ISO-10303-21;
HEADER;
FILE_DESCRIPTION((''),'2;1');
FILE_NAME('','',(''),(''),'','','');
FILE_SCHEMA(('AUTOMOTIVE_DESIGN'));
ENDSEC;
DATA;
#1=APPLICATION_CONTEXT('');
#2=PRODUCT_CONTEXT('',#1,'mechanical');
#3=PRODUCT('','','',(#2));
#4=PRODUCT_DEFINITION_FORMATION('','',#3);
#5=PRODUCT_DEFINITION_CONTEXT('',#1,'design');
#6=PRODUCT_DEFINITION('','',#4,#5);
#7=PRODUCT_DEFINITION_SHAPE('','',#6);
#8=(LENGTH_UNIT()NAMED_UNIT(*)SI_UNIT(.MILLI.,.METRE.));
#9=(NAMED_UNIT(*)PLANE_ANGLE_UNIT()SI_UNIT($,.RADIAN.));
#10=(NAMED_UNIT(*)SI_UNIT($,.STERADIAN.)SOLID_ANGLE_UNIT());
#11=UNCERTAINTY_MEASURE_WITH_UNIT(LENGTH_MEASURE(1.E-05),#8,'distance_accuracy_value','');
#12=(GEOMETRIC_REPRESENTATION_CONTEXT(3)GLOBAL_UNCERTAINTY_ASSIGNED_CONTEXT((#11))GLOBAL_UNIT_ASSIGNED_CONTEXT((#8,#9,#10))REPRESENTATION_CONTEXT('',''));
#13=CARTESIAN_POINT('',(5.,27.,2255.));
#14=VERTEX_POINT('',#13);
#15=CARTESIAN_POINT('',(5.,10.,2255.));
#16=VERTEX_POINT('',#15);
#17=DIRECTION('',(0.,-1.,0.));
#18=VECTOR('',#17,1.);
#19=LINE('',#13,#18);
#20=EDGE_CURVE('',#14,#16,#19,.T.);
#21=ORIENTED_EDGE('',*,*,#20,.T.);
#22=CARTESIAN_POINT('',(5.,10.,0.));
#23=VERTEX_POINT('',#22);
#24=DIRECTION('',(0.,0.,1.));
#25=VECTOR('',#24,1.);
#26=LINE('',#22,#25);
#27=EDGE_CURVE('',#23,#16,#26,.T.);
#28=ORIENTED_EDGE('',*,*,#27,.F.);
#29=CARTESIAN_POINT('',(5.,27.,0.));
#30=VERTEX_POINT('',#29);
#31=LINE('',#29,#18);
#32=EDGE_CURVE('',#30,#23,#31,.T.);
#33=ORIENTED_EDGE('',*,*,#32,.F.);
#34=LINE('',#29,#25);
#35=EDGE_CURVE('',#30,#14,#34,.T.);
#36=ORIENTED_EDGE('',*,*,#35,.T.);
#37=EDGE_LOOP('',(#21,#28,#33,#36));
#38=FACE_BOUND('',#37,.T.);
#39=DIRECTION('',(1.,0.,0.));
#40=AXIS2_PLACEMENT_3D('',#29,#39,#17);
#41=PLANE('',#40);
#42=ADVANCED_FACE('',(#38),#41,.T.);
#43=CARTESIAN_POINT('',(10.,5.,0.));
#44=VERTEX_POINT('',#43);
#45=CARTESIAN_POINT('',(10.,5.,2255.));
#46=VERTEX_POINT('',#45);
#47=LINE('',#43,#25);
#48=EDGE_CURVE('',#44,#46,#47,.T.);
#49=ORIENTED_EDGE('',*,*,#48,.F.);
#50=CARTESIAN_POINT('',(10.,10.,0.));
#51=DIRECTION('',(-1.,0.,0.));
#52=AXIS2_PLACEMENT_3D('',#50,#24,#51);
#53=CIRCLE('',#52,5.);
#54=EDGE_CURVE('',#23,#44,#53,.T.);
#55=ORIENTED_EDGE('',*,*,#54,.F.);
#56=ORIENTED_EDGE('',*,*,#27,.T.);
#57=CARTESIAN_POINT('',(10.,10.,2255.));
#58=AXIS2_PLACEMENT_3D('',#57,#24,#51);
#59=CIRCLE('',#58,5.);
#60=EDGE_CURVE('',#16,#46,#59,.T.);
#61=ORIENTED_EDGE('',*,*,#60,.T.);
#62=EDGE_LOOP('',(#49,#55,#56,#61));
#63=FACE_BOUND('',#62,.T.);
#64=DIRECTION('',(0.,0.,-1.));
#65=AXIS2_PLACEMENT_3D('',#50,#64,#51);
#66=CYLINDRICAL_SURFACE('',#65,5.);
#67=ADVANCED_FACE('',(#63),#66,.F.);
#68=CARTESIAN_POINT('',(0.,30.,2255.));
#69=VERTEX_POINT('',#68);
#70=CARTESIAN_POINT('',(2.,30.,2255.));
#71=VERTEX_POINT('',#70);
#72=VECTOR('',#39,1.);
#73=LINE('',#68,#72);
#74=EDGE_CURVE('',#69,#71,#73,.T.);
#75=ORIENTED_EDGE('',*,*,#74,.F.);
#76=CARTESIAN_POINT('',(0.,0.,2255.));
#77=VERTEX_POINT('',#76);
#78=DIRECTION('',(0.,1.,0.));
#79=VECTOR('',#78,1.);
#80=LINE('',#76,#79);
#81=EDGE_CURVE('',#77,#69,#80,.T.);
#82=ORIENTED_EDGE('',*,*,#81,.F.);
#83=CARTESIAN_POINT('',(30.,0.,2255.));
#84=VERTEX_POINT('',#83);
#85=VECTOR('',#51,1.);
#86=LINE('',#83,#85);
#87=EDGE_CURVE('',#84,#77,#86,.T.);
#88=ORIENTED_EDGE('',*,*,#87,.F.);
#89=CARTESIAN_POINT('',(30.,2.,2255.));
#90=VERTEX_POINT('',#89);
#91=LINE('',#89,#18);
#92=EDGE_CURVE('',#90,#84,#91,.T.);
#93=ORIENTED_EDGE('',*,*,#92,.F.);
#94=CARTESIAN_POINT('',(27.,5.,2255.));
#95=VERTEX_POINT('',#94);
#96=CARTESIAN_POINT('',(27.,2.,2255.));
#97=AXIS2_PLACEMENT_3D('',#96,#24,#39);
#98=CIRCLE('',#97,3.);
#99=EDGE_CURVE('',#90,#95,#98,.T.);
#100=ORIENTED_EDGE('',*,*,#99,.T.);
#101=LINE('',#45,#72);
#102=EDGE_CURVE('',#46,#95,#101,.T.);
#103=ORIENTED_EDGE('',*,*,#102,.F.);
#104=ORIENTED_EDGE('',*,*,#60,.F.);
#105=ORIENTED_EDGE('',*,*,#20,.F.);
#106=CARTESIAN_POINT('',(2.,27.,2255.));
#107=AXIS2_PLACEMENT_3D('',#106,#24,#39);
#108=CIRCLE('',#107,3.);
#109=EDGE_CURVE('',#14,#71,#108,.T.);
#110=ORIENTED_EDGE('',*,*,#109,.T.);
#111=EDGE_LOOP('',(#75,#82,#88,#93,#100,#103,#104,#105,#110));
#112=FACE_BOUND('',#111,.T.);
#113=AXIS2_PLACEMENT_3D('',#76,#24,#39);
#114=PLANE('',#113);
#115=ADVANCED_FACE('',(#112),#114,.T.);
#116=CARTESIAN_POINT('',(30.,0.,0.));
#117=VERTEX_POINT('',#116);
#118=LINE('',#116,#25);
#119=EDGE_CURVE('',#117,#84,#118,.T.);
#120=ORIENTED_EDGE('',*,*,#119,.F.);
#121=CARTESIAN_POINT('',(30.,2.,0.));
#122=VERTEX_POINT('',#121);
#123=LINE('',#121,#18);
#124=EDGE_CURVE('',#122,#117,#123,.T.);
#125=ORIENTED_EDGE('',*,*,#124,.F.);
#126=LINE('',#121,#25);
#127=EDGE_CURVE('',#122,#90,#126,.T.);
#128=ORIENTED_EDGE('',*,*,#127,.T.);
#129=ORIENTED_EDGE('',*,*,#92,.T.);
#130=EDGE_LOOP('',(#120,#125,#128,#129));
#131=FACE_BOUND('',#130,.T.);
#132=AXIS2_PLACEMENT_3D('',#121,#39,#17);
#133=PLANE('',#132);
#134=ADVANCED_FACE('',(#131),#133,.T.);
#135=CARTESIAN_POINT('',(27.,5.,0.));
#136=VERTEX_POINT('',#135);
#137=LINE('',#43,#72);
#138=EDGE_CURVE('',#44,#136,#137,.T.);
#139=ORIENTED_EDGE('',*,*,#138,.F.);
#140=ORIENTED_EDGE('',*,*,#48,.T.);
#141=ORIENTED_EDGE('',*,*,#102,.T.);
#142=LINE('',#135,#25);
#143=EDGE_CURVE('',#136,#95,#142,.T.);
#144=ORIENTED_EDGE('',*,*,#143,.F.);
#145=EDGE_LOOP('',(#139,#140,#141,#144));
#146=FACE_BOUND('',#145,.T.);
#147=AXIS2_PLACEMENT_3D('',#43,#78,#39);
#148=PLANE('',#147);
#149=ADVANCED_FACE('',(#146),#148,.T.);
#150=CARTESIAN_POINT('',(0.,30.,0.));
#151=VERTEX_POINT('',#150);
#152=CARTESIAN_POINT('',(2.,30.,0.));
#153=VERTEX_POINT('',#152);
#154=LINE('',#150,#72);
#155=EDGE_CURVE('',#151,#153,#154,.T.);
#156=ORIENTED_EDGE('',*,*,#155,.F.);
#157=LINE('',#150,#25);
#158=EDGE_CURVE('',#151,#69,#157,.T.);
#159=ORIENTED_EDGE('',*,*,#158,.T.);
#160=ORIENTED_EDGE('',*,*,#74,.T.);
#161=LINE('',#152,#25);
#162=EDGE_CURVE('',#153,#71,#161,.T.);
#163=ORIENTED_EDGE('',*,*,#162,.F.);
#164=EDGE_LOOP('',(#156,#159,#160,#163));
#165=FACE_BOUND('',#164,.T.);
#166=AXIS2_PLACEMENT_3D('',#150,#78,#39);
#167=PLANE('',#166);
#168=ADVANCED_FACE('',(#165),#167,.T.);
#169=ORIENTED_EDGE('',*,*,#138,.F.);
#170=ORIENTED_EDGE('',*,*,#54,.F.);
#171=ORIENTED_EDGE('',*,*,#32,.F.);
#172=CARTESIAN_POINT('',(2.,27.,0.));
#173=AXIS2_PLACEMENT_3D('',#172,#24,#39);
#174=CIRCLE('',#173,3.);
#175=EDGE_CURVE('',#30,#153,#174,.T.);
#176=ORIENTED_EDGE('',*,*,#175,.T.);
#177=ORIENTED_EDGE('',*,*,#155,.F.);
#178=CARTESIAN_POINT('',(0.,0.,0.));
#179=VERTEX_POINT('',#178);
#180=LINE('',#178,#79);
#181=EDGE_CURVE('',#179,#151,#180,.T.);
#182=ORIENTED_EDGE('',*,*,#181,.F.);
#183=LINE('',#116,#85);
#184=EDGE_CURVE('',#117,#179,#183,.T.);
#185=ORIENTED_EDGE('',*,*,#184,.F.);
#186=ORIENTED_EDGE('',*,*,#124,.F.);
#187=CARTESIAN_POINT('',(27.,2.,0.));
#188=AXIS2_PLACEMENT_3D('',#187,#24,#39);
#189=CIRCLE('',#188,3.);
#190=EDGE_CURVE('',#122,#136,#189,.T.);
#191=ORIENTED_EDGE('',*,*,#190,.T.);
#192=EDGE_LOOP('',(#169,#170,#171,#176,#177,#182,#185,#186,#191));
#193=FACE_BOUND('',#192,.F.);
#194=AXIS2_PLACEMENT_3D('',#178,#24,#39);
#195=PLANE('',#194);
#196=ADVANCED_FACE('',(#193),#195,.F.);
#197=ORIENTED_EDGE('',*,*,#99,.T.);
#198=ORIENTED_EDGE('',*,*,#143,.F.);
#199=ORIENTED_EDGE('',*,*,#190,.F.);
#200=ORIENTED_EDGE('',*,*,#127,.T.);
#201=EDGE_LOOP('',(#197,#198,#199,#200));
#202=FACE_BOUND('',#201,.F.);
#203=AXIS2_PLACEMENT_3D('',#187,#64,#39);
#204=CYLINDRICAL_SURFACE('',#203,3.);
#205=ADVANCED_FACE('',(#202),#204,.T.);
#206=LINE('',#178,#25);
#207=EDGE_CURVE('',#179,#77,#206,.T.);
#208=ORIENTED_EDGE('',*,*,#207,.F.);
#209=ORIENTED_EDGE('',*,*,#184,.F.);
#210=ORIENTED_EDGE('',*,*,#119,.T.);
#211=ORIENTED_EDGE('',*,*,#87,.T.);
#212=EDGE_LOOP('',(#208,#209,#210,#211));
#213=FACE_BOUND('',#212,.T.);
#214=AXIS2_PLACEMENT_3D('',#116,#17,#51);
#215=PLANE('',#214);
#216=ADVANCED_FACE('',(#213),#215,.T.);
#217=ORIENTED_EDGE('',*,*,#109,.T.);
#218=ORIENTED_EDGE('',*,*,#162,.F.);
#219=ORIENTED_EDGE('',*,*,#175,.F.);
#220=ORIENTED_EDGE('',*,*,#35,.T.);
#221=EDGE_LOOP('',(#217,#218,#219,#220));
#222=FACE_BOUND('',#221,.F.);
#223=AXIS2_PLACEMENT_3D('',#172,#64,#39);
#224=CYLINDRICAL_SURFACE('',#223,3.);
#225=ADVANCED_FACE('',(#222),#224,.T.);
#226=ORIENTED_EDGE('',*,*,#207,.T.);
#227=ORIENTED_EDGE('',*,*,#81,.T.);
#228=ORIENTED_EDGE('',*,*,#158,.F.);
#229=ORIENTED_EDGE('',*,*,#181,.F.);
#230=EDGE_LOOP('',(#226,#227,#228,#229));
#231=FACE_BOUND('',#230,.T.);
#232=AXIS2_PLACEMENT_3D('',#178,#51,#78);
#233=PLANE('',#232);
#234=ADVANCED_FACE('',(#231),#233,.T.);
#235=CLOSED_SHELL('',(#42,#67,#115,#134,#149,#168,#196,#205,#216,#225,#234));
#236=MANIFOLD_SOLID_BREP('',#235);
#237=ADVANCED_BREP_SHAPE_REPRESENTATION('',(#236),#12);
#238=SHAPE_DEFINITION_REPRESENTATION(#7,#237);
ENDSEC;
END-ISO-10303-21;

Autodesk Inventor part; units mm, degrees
ref_plane "YZ Plane" through (0, 0, 0) normal (1, 0, 0) x (0, 1, 0)
ref_plane "Plano inicial" through (0, 0, 0) normal (0, 0, 1) x (1, 0, 0)
ref_plane "Plano final" through (0, 0, 2255) normal (0, 0, 1) x (1, 0, 0)
sketch "Rascunho" plane through (0, 0, 0) normal (0, 0, 1) x (1, 0, 0)
  line L0 (30, 0) -> (0, 0)
  line L1 (0, 0) -> (0, 30)
  line L2 (0, 30) -> (2, 30)
  line L3 (5, 27) -> (5, 10)
  line L4 (10, 5) -> (27, 5)
  line L5 (30, 2) -> (30, 0)
  line L6 (0, -11.0414) -> (0, 31.5385) construction
  line L7 (-11.0414, 0) -> (31.5385, 0) construction
  arc A0 (5, 10) -> (10, 5) centre (10, 10) ccw
  arc A1 (5, 27) -> (2, 30) centre (2, 27) ccw
  arc A2 (30, 2) -> (27, 5) centre (27, 2) ccw
  line L8 (0, 40.0545) -> (0, -19.5574) construction
  line L9 (-19.5574, 0) -> (40.0545, 0) construction
  point P0 (5, 30)
  point P1 (5, 5)
  point P2 (30, 5)
  dimension "d0" = 30
  dimension "d1" = 30
  dimension "d2" = 5
  dimension "d3" = 5
  dimension "d8" = 5
  dimension "d9" = 3
  dimension "d10" = 0
  dimension "d11" = 0
extrude "Corpo" add sketch "Rascunho" along normal up to surface (2255 mm away) from surface at 0
sketch "Sketch3" plane through (0, 0, 0) normal (0, 0, 1) x (1, 0, 0)
  line L0 (0, 0) -> (10, 0)
ref_plane "Work Plane3" through (0, 0, 0) normal (0, -1, 0) x (1, 0, 0)
sketch "Sketch4" plane through (0, 0, 0) normal (0, -1, 0) x (1, 0, 0)
  line L0 (-2, 0) -> (12, 0) projected
  line L1 (-2, 2255) -> (12, 2255) projected
  dimension "d15" = 2255
equation "\"d0\" = G_H"
equation "\"d1\" = G_H"
equation "\"d2\" = G_T"
equation "\"d3\" = G_T"
equation "\"d8\" = G_IR"
equation "\"d9\" = G_ER"
equation "\"d4\" = G_L"
equation "\"G_H\" = 30"
equation "\"G_T\" = 5"
equation "\"G_ER\" = 3"
equation "\"G_IR\" = 5"
equation "\"G_L\" = d15"
equation "\"ex\" = 0"
equation "\"G_OFFSET_START\" = 0"
equation "\"G_OFFSET_END\" = 0"
equation "\"d13\" = G_OFFSET_END + B_L"
equation "\"B_L\" = 2255"
properties part number "IS 808 - ISA 3030 - 2255" material "Aço, suave"
